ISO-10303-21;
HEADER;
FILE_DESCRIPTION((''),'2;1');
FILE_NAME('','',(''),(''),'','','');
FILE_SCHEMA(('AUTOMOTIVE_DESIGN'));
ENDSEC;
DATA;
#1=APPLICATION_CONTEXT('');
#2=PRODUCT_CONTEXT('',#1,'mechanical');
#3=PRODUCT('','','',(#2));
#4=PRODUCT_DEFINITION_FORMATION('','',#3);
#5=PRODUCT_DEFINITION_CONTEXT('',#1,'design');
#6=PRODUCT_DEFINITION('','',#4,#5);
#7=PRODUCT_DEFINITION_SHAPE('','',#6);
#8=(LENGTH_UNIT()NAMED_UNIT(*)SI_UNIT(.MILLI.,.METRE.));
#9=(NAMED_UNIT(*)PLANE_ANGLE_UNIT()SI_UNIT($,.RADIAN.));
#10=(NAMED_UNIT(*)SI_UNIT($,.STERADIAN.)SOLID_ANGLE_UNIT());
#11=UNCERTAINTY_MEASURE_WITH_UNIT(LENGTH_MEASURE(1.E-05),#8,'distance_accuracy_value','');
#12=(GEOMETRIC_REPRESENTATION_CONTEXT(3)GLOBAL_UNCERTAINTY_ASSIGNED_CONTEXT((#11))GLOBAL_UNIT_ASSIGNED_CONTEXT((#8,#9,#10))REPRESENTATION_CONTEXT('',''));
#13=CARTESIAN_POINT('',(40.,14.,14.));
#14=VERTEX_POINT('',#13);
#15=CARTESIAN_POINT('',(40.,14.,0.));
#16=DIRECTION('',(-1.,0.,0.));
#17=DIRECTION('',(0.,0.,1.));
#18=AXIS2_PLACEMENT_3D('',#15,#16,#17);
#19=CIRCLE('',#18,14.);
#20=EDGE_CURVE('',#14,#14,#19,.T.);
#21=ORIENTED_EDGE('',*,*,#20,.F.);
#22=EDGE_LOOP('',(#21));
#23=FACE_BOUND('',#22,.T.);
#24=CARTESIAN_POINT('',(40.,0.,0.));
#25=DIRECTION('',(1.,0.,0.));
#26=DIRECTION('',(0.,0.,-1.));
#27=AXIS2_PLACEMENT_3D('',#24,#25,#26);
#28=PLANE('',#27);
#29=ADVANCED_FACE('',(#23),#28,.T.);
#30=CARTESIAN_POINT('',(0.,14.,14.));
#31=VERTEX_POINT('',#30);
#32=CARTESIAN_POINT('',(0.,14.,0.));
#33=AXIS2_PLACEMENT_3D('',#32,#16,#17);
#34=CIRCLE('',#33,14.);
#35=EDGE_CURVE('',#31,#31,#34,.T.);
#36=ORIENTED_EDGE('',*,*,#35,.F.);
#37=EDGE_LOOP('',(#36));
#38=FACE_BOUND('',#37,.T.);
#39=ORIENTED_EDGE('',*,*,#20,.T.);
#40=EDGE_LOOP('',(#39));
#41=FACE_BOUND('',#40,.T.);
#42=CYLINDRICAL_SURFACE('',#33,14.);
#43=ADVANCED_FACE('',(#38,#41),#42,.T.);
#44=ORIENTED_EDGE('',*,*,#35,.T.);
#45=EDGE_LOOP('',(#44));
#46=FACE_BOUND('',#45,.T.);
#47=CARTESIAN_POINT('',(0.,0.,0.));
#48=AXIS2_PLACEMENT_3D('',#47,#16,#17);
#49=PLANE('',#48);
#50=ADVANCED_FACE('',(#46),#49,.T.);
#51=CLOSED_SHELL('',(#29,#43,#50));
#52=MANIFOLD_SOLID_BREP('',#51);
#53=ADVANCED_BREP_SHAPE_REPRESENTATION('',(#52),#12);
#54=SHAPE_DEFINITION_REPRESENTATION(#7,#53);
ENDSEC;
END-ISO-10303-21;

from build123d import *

# Parameters (mm, degrees)
SCHIZZO1_W = 40
SCHIZZO1_H = 14


with BuildPart() as part:
    # Schizzo1 → Rivoluzione1 (revolve)
    with BuildSketch(Plane.XY):
        with Locations((20, 7)):
            Rectangle(SCHIZZO1_W, SCHIZZO1_H)
    revolve(axis=Axis((0, 14, 0), (1, 0, 0)))


solid = part.part
